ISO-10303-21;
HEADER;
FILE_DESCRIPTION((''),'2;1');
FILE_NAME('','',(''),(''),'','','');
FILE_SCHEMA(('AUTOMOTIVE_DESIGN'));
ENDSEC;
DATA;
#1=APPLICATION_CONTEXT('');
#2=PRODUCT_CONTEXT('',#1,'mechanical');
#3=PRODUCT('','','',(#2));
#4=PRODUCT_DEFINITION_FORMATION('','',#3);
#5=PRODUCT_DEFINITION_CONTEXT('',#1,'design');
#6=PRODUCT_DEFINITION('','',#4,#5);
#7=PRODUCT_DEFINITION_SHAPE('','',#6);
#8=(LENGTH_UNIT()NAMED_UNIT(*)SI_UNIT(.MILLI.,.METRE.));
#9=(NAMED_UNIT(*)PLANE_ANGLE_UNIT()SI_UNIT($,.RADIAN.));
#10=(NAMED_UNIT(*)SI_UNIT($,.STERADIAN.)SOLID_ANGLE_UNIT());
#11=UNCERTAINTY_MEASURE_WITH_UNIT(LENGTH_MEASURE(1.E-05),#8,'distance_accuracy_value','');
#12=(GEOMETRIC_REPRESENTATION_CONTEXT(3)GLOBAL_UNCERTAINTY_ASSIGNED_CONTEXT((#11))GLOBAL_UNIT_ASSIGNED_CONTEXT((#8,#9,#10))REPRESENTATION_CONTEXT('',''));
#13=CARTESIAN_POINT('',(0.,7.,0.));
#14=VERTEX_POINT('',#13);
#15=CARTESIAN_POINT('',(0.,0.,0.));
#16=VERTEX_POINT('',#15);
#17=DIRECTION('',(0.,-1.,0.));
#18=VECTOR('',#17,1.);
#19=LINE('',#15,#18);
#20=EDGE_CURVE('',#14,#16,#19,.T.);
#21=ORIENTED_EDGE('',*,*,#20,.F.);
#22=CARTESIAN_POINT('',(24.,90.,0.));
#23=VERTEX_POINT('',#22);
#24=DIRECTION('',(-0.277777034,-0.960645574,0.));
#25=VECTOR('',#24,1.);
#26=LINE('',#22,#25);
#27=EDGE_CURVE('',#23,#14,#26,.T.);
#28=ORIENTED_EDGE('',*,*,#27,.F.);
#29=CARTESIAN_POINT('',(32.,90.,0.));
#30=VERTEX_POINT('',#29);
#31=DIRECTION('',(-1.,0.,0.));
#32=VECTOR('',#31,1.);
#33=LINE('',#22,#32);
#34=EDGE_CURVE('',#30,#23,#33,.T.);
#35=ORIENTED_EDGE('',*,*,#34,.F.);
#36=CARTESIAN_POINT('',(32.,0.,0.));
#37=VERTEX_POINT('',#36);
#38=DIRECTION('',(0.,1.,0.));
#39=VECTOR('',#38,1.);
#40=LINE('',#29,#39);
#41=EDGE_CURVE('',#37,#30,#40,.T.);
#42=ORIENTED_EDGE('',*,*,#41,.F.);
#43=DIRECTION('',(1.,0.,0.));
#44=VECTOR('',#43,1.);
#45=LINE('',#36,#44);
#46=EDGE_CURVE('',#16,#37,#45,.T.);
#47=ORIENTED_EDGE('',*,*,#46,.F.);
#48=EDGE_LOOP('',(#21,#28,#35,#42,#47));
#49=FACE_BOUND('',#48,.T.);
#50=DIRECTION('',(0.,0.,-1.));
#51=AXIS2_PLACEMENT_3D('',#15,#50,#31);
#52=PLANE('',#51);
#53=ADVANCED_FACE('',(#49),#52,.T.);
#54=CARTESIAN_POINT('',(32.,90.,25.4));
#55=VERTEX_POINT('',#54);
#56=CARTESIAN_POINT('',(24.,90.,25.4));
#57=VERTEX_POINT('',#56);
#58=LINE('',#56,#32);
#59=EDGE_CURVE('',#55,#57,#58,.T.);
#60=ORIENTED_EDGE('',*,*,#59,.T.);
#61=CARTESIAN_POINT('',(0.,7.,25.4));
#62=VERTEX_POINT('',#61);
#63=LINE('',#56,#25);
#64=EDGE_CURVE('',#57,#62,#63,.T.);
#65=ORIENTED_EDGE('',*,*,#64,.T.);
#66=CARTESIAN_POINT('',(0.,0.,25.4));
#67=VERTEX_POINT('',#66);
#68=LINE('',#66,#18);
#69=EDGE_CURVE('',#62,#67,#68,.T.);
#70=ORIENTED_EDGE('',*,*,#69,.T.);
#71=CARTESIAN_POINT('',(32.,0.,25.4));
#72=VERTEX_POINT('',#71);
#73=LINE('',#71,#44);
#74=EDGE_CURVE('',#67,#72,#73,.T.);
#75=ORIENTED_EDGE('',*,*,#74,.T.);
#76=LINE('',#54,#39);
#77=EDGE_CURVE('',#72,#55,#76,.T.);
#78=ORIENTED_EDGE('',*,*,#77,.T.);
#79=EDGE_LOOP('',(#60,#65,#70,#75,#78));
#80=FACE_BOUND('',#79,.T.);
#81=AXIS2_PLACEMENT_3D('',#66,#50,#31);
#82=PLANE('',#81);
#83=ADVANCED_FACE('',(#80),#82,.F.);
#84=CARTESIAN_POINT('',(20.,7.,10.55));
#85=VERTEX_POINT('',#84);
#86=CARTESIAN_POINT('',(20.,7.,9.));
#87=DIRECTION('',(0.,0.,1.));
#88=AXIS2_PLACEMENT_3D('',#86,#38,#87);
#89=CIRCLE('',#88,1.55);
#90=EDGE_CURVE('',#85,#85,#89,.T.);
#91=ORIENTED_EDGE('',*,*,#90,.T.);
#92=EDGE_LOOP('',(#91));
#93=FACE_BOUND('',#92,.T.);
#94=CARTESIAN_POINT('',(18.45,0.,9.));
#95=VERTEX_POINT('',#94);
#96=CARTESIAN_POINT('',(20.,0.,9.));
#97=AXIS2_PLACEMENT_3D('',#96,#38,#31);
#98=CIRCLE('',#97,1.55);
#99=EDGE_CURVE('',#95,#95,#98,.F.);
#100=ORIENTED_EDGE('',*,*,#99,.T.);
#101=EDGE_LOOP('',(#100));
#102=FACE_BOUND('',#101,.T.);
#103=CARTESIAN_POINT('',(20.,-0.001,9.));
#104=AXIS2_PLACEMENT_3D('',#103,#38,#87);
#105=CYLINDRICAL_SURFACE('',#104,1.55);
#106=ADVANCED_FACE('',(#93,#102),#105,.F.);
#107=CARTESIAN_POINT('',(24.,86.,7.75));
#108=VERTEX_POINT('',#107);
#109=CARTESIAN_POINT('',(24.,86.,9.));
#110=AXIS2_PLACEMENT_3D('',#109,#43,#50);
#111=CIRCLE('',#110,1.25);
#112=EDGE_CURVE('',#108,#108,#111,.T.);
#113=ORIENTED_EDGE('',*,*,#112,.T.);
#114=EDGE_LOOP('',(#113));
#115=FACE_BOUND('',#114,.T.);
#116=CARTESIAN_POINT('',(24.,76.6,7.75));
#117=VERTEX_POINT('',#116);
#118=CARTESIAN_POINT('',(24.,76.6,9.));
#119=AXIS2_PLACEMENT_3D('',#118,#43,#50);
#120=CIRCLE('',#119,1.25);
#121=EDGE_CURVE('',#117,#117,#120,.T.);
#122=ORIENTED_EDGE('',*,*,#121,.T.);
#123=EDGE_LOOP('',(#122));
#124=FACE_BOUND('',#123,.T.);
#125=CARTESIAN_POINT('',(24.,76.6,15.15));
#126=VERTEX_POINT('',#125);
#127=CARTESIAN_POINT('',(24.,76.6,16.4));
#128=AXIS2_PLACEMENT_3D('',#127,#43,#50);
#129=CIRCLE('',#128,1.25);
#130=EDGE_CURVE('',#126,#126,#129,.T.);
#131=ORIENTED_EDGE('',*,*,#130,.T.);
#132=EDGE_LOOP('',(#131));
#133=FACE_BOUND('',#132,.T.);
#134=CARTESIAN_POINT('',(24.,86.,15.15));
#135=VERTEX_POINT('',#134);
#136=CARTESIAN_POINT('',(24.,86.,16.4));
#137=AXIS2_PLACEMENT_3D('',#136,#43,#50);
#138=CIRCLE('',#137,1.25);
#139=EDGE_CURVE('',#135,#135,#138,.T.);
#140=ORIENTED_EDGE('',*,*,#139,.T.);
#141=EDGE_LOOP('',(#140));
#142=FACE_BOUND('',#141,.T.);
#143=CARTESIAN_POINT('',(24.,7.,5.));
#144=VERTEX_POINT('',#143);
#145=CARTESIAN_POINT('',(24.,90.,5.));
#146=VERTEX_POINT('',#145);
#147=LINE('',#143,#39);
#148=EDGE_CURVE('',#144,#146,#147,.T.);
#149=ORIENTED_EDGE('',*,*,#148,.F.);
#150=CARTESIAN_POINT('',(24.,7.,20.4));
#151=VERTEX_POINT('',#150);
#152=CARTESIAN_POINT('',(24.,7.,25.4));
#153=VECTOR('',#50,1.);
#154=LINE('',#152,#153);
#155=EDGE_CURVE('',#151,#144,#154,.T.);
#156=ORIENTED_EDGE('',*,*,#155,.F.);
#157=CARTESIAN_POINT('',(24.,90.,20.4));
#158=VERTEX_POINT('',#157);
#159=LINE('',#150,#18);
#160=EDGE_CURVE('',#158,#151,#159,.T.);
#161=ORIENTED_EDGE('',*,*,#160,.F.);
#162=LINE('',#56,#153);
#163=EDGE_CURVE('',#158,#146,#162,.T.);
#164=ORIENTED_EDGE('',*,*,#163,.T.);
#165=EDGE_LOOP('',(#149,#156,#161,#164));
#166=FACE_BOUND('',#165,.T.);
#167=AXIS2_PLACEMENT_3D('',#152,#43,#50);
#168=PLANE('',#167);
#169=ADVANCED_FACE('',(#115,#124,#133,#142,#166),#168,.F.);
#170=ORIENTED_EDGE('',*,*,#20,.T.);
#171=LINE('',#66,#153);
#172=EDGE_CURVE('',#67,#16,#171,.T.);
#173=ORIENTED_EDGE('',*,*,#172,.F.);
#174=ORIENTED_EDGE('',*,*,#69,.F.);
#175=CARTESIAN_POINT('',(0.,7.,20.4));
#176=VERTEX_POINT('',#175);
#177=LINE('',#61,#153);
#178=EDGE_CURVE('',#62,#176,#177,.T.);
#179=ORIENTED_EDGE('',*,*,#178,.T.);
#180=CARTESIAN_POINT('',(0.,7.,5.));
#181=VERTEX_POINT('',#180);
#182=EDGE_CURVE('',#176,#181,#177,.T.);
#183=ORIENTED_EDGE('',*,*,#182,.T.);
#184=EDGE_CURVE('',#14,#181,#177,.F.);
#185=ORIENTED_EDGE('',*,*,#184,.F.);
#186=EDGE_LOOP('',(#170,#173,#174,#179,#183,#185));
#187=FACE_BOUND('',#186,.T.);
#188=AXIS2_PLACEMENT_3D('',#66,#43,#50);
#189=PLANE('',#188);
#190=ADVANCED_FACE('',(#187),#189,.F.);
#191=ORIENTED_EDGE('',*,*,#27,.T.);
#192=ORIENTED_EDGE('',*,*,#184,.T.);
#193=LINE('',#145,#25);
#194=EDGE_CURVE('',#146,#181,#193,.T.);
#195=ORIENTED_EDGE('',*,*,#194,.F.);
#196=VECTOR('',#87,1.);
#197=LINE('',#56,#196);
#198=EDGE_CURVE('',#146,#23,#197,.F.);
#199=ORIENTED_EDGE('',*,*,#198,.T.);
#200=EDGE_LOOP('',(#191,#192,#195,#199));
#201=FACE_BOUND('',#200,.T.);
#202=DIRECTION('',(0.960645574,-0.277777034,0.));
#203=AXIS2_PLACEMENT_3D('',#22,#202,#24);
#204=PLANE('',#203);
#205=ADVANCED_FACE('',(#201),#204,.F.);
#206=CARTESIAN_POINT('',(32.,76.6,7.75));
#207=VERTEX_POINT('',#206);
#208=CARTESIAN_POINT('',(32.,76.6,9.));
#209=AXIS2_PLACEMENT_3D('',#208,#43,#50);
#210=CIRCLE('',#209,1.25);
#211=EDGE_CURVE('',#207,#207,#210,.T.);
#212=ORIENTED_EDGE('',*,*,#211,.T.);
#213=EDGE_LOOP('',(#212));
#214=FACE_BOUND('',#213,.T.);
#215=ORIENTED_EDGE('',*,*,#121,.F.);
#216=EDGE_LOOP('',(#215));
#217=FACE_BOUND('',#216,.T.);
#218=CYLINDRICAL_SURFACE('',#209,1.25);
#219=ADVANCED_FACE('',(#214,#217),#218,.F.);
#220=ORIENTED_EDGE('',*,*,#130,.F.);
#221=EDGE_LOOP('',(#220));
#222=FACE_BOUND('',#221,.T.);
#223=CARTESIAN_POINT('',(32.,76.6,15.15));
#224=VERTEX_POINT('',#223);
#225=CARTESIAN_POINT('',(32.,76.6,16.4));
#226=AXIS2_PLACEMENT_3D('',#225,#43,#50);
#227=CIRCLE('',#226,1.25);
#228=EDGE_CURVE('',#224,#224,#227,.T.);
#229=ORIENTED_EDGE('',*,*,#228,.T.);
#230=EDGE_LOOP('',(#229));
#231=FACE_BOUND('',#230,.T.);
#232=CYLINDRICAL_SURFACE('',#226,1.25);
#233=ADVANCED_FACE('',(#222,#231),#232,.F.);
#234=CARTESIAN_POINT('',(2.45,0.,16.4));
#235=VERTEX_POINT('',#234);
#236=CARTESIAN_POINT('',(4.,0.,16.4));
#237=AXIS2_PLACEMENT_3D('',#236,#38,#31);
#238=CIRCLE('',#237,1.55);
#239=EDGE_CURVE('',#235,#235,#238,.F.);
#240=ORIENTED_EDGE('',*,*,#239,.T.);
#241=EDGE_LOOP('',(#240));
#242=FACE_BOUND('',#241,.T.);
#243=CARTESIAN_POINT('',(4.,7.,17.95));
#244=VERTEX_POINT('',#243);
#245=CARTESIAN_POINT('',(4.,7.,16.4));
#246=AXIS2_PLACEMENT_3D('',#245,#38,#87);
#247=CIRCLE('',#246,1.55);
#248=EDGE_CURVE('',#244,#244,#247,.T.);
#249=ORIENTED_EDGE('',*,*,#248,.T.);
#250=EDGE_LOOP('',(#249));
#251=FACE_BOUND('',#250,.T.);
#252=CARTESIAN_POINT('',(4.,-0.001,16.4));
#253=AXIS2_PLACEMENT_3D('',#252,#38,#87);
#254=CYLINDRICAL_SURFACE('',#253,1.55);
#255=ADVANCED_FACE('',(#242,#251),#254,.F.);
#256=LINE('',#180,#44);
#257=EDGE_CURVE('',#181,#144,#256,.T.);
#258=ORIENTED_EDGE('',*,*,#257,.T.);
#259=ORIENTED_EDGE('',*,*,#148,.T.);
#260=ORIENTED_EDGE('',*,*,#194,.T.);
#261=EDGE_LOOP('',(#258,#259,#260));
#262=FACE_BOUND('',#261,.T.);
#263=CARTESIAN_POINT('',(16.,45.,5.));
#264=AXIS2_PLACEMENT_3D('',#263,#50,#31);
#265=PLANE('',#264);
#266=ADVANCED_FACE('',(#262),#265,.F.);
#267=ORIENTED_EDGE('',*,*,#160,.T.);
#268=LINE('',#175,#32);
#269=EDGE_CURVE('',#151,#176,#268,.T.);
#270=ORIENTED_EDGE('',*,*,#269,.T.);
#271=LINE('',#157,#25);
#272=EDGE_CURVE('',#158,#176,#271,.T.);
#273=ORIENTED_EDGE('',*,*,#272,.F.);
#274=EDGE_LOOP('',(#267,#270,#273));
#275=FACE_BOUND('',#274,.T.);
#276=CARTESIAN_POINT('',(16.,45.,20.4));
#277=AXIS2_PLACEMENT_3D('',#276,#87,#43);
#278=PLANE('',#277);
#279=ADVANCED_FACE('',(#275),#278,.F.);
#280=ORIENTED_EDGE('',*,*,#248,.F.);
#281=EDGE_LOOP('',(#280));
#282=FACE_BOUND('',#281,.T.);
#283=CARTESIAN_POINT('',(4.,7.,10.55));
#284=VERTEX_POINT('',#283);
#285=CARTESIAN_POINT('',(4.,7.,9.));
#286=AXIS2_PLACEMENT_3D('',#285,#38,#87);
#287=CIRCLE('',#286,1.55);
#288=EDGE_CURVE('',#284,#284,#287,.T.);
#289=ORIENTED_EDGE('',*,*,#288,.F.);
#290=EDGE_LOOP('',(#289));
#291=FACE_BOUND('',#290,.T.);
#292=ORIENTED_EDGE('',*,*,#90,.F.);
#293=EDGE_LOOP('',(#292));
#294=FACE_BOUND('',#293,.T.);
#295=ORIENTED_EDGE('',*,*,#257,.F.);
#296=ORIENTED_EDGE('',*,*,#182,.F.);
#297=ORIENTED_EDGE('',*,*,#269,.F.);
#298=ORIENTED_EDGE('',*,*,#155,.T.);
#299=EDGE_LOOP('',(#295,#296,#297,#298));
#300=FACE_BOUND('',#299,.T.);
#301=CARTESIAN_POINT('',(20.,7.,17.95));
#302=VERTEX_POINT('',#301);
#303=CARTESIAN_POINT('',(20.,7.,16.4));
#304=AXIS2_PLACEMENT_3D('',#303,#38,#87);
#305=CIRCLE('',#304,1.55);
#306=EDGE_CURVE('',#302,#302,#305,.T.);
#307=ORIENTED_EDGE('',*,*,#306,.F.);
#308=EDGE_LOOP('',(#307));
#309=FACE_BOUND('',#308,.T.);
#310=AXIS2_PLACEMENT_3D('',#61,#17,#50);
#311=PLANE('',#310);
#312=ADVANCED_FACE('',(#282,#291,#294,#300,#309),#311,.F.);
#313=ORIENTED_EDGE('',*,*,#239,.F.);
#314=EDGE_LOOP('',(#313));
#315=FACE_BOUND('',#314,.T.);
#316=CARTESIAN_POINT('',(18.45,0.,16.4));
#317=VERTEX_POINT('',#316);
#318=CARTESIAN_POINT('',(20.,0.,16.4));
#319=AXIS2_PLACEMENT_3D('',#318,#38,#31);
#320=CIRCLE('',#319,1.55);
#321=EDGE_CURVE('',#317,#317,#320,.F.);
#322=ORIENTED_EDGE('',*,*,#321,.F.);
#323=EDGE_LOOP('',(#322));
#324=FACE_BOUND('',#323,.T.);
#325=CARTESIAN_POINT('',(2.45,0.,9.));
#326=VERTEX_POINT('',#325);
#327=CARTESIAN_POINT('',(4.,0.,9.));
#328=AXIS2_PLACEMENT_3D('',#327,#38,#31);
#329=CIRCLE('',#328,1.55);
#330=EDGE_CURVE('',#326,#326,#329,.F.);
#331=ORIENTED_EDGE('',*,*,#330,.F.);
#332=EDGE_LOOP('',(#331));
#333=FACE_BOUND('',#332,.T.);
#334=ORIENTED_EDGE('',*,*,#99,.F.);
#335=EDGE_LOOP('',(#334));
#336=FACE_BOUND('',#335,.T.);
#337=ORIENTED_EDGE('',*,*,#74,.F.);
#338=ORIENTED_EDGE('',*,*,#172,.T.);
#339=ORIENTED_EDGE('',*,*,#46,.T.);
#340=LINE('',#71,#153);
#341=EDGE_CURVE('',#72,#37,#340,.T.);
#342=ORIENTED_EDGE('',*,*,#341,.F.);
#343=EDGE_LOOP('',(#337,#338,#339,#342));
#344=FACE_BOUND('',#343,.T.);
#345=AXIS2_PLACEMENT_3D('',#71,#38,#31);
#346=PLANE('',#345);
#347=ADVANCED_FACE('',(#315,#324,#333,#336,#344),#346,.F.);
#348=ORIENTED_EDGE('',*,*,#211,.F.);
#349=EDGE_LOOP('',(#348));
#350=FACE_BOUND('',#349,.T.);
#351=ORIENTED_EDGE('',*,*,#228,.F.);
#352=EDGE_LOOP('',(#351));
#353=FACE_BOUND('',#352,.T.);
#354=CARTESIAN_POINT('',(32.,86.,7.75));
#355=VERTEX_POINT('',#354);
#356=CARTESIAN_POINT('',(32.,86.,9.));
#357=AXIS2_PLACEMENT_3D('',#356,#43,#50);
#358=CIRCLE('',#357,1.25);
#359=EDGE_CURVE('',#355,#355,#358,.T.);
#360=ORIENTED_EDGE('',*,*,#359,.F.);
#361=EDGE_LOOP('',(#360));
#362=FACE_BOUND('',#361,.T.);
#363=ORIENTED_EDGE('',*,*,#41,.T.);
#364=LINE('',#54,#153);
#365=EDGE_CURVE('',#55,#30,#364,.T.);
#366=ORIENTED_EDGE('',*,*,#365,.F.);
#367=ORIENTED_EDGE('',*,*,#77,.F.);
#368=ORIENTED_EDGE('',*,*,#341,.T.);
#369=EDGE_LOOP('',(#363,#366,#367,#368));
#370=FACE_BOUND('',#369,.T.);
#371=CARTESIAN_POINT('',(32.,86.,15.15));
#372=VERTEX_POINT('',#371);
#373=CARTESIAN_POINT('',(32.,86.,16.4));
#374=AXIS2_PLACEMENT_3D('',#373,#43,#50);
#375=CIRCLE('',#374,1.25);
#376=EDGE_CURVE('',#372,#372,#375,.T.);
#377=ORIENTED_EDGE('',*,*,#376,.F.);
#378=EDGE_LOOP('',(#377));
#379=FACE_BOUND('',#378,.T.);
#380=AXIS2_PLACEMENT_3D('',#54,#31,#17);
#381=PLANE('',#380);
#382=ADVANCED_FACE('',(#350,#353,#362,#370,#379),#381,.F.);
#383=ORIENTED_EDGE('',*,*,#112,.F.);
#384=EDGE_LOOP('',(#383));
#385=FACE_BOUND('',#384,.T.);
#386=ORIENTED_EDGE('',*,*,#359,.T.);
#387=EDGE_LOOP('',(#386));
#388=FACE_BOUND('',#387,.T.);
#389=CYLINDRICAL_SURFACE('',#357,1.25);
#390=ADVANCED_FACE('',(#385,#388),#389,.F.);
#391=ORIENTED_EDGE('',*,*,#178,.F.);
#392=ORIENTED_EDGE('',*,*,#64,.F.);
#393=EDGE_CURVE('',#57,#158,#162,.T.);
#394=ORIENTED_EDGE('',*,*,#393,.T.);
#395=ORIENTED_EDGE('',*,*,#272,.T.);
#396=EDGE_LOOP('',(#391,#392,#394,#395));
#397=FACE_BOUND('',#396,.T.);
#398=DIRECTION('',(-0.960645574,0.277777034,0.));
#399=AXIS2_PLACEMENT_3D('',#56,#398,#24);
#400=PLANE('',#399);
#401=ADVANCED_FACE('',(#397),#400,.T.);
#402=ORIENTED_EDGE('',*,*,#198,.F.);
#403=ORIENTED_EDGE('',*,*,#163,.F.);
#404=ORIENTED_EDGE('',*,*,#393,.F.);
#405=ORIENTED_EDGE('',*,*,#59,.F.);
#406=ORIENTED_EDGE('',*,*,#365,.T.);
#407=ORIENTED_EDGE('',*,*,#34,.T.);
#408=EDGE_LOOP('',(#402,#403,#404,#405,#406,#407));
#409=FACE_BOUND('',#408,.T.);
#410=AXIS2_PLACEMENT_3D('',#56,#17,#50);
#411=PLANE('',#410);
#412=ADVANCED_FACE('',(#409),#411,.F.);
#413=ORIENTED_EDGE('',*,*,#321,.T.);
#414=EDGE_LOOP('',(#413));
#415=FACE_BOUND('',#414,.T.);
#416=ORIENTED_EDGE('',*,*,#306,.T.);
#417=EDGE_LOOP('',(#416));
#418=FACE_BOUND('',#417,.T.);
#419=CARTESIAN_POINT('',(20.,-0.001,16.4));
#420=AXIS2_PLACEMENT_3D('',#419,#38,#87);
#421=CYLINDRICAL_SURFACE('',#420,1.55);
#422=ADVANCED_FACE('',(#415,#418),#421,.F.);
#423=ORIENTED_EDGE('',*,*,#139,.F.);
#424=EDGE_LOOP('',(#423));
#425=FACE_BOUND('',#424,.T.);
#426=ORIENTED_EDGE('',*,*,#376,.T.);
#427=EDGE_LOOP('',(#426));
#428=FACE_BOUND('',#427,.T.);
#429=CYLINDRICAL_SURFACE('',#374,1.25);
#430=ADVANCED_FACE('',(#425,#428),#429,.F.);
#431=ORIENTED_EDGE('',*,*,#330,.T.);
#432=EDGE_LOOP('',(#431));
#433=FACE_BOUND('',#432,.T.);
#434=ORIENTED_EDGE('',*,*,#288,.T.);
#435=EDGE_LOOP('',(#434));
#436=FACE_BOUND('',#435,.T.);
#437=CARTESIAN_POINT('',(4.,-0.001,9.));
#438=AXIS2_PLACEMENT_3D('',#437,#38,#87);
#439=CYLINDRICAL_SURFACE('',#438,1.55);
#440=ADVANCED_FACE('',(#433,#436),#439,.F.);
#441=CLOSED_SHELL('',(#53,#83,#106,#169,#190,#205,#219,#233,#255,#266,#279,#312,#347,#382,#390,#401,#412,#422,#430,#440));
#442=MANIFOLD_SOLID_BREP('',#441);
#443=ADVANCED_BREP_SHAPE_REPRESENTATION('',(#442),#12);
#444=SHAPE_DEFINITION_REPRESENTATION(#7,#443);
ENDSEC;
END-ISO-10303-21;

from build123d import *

# Parameters (mm, degrees)
BOSS_EXTRUDE1_DEPTH = 25.4
RIB1_REACH          = 100.839
SKETCH4_WALL_W      = 286.07835369
SKETCH4_WALL_H      = 5
CUT_EXTRUDE2_REACH  = 94.51
SKETCH5_R           = 1.55
M3_TAPPED_HOLE2_D   = 2.5


with BuildPart() as part:
    # Sketch1 → Boss-Extrude1 (new body)
    with BuildSketch(Plane.XY):
        Polygon((0, 0), (0, 7), (24, 7), (24, 90), (32, 90), (32, 0), align=None)
    extrude(amount=BOSS_EXTRUDE1_DEPTH)

    # Sketch4 wall → Rib1 (add, up to next)
    with BuildSketch(Plane(origin=(12, 48.5, 25.4), x_dir=(-0.277777033563, -0.960645574406, 0), z_dir=(0.960645574406, -0.277777033563, 0)), mode=Mode.PRIVATE) as rib1_sk1:
        with Locations((0, 2.5)):
            Rectangle(SKETCH4_WALL_W, SKETCH4_WALL_H)
    rib1_tool1 = extrude(rib1_sk1.sketch, amount=RIB1_REACH, mode=Mode.PRIVATE) - part.part
    rib1 = rib1_tool1.solids().sort_by_distance((12, 48.5, 25.4))[0]
    add(rib1)

    # Mirror1: Rib1 across plane
    add(rib1.mirror(Plane.XY.offset(12.7)))

    # Sketch5 → Cut-Extrude2 (cut, up to next)
    with BuildSketch(Plane(origin=(0, 7, 0), x_dir=(1, 0, 0), z_dir=(0, 1, 0)), mode=Mode.PRIVATE) as cut_extrude2_sk1:
        with Locations(Location((4, -9, 0), (0, 0, 270))):
            Circle(SKETCH5_R)
    cut_extrude2_tool1 = extrude(cut_extrude2_sk1.sketch, amount=-CUT_EXTRUDE2_REACH, mode=Mode.PRIVATE) & part.part
    # Sketch5 → Cut-Extrude2 (cut, up to next)
    with BuildSketch(Plane(origin=(0, 7, 0), x_dir=(1, 0, 0), z_dir=(0, 1, 0)), mode=Mode.PRIVATE) as cut_extrude2_sk2:
        with Locations(Location((20, -9, 0), (0, 0, 270))):
            Circle(SKETCH5_R)
    cut_extrude2_tool2 = extrude(cut_extrude2_sk2.sketch, amount=-CUT_EXTRUDE2_REACH, mode=Mode.PRIVATE) & part.part
    # Sketch5 → Cut-Extrude2 (cut, up to next)
    with BuildSketch(Plane(origin=(0, 7, 0), x_dir=(1, 0, 0), z_dir=(0, 1, 0)), mode=Mode.PRIVATE) as cut_extrude2_sk3:
        with Locations(Location((20, -16.4, 0), (0, 0, 270))):
            Circle(SKETCH5_R)
    cut_extrude2_tool3 = extrude(cut_extrude2_sk3.sketch, amount=-CUT_EXTRUDE2_REACH, mode=Mode.PRIVATE) & part.part
    # Sketch5 → Cut-Extrude2 (cut, up to next)
    with BuildSketch(Plane(origin=(0, 7, 0), x_dir=(1, 0, 0), z_dir=(0, 1, 0)), mode=Mode.PRIVATE) as cut_extrude2_sk4:
        with Locations(Location((4, -16.4, 0), (0, 0, 270))):
            Circle(SKETCH5_R)
    cut_extrude2_tool4 = extrude(cut_extrude2_sk4.sketch, amount=-CUT_EXTRUDE2_REACH, mode=Mode.PRIVATE) & part.part
    add(cut_extrude2_tool1.solids().sort_by_distance((4, 7, 9))[0], mode=Mode.SUBTRACT)
    add(cut_extrude2_tool2.solids().sort_by_distance((20, 7, 9))[0], mode=Mode.SUBTRACT)
    add(cut_extrude2_tool3.solids().sort_by_distance((20, 7, 16.4))[0], mode=Mode.SUBTRACT)
    add(cut_extrude2_tool4.solids().sort_by_distance((4, 7, 16.4))[0], mode=Mode.SUBTRACT)

    # M3 Tapped Hole2 (through all)
    with Locations(Plane(origin=(32, 0, 0), x_dir=(0, 0, -1), z_dir=(1, 0, 0))):
        with Locations((-9, 86), (-16.4, 76.6), (-16.4, 86), (-9, 76.6)):
            Hole(M3_TAPPED_HOLE2_D / 2)


solid = part.part
